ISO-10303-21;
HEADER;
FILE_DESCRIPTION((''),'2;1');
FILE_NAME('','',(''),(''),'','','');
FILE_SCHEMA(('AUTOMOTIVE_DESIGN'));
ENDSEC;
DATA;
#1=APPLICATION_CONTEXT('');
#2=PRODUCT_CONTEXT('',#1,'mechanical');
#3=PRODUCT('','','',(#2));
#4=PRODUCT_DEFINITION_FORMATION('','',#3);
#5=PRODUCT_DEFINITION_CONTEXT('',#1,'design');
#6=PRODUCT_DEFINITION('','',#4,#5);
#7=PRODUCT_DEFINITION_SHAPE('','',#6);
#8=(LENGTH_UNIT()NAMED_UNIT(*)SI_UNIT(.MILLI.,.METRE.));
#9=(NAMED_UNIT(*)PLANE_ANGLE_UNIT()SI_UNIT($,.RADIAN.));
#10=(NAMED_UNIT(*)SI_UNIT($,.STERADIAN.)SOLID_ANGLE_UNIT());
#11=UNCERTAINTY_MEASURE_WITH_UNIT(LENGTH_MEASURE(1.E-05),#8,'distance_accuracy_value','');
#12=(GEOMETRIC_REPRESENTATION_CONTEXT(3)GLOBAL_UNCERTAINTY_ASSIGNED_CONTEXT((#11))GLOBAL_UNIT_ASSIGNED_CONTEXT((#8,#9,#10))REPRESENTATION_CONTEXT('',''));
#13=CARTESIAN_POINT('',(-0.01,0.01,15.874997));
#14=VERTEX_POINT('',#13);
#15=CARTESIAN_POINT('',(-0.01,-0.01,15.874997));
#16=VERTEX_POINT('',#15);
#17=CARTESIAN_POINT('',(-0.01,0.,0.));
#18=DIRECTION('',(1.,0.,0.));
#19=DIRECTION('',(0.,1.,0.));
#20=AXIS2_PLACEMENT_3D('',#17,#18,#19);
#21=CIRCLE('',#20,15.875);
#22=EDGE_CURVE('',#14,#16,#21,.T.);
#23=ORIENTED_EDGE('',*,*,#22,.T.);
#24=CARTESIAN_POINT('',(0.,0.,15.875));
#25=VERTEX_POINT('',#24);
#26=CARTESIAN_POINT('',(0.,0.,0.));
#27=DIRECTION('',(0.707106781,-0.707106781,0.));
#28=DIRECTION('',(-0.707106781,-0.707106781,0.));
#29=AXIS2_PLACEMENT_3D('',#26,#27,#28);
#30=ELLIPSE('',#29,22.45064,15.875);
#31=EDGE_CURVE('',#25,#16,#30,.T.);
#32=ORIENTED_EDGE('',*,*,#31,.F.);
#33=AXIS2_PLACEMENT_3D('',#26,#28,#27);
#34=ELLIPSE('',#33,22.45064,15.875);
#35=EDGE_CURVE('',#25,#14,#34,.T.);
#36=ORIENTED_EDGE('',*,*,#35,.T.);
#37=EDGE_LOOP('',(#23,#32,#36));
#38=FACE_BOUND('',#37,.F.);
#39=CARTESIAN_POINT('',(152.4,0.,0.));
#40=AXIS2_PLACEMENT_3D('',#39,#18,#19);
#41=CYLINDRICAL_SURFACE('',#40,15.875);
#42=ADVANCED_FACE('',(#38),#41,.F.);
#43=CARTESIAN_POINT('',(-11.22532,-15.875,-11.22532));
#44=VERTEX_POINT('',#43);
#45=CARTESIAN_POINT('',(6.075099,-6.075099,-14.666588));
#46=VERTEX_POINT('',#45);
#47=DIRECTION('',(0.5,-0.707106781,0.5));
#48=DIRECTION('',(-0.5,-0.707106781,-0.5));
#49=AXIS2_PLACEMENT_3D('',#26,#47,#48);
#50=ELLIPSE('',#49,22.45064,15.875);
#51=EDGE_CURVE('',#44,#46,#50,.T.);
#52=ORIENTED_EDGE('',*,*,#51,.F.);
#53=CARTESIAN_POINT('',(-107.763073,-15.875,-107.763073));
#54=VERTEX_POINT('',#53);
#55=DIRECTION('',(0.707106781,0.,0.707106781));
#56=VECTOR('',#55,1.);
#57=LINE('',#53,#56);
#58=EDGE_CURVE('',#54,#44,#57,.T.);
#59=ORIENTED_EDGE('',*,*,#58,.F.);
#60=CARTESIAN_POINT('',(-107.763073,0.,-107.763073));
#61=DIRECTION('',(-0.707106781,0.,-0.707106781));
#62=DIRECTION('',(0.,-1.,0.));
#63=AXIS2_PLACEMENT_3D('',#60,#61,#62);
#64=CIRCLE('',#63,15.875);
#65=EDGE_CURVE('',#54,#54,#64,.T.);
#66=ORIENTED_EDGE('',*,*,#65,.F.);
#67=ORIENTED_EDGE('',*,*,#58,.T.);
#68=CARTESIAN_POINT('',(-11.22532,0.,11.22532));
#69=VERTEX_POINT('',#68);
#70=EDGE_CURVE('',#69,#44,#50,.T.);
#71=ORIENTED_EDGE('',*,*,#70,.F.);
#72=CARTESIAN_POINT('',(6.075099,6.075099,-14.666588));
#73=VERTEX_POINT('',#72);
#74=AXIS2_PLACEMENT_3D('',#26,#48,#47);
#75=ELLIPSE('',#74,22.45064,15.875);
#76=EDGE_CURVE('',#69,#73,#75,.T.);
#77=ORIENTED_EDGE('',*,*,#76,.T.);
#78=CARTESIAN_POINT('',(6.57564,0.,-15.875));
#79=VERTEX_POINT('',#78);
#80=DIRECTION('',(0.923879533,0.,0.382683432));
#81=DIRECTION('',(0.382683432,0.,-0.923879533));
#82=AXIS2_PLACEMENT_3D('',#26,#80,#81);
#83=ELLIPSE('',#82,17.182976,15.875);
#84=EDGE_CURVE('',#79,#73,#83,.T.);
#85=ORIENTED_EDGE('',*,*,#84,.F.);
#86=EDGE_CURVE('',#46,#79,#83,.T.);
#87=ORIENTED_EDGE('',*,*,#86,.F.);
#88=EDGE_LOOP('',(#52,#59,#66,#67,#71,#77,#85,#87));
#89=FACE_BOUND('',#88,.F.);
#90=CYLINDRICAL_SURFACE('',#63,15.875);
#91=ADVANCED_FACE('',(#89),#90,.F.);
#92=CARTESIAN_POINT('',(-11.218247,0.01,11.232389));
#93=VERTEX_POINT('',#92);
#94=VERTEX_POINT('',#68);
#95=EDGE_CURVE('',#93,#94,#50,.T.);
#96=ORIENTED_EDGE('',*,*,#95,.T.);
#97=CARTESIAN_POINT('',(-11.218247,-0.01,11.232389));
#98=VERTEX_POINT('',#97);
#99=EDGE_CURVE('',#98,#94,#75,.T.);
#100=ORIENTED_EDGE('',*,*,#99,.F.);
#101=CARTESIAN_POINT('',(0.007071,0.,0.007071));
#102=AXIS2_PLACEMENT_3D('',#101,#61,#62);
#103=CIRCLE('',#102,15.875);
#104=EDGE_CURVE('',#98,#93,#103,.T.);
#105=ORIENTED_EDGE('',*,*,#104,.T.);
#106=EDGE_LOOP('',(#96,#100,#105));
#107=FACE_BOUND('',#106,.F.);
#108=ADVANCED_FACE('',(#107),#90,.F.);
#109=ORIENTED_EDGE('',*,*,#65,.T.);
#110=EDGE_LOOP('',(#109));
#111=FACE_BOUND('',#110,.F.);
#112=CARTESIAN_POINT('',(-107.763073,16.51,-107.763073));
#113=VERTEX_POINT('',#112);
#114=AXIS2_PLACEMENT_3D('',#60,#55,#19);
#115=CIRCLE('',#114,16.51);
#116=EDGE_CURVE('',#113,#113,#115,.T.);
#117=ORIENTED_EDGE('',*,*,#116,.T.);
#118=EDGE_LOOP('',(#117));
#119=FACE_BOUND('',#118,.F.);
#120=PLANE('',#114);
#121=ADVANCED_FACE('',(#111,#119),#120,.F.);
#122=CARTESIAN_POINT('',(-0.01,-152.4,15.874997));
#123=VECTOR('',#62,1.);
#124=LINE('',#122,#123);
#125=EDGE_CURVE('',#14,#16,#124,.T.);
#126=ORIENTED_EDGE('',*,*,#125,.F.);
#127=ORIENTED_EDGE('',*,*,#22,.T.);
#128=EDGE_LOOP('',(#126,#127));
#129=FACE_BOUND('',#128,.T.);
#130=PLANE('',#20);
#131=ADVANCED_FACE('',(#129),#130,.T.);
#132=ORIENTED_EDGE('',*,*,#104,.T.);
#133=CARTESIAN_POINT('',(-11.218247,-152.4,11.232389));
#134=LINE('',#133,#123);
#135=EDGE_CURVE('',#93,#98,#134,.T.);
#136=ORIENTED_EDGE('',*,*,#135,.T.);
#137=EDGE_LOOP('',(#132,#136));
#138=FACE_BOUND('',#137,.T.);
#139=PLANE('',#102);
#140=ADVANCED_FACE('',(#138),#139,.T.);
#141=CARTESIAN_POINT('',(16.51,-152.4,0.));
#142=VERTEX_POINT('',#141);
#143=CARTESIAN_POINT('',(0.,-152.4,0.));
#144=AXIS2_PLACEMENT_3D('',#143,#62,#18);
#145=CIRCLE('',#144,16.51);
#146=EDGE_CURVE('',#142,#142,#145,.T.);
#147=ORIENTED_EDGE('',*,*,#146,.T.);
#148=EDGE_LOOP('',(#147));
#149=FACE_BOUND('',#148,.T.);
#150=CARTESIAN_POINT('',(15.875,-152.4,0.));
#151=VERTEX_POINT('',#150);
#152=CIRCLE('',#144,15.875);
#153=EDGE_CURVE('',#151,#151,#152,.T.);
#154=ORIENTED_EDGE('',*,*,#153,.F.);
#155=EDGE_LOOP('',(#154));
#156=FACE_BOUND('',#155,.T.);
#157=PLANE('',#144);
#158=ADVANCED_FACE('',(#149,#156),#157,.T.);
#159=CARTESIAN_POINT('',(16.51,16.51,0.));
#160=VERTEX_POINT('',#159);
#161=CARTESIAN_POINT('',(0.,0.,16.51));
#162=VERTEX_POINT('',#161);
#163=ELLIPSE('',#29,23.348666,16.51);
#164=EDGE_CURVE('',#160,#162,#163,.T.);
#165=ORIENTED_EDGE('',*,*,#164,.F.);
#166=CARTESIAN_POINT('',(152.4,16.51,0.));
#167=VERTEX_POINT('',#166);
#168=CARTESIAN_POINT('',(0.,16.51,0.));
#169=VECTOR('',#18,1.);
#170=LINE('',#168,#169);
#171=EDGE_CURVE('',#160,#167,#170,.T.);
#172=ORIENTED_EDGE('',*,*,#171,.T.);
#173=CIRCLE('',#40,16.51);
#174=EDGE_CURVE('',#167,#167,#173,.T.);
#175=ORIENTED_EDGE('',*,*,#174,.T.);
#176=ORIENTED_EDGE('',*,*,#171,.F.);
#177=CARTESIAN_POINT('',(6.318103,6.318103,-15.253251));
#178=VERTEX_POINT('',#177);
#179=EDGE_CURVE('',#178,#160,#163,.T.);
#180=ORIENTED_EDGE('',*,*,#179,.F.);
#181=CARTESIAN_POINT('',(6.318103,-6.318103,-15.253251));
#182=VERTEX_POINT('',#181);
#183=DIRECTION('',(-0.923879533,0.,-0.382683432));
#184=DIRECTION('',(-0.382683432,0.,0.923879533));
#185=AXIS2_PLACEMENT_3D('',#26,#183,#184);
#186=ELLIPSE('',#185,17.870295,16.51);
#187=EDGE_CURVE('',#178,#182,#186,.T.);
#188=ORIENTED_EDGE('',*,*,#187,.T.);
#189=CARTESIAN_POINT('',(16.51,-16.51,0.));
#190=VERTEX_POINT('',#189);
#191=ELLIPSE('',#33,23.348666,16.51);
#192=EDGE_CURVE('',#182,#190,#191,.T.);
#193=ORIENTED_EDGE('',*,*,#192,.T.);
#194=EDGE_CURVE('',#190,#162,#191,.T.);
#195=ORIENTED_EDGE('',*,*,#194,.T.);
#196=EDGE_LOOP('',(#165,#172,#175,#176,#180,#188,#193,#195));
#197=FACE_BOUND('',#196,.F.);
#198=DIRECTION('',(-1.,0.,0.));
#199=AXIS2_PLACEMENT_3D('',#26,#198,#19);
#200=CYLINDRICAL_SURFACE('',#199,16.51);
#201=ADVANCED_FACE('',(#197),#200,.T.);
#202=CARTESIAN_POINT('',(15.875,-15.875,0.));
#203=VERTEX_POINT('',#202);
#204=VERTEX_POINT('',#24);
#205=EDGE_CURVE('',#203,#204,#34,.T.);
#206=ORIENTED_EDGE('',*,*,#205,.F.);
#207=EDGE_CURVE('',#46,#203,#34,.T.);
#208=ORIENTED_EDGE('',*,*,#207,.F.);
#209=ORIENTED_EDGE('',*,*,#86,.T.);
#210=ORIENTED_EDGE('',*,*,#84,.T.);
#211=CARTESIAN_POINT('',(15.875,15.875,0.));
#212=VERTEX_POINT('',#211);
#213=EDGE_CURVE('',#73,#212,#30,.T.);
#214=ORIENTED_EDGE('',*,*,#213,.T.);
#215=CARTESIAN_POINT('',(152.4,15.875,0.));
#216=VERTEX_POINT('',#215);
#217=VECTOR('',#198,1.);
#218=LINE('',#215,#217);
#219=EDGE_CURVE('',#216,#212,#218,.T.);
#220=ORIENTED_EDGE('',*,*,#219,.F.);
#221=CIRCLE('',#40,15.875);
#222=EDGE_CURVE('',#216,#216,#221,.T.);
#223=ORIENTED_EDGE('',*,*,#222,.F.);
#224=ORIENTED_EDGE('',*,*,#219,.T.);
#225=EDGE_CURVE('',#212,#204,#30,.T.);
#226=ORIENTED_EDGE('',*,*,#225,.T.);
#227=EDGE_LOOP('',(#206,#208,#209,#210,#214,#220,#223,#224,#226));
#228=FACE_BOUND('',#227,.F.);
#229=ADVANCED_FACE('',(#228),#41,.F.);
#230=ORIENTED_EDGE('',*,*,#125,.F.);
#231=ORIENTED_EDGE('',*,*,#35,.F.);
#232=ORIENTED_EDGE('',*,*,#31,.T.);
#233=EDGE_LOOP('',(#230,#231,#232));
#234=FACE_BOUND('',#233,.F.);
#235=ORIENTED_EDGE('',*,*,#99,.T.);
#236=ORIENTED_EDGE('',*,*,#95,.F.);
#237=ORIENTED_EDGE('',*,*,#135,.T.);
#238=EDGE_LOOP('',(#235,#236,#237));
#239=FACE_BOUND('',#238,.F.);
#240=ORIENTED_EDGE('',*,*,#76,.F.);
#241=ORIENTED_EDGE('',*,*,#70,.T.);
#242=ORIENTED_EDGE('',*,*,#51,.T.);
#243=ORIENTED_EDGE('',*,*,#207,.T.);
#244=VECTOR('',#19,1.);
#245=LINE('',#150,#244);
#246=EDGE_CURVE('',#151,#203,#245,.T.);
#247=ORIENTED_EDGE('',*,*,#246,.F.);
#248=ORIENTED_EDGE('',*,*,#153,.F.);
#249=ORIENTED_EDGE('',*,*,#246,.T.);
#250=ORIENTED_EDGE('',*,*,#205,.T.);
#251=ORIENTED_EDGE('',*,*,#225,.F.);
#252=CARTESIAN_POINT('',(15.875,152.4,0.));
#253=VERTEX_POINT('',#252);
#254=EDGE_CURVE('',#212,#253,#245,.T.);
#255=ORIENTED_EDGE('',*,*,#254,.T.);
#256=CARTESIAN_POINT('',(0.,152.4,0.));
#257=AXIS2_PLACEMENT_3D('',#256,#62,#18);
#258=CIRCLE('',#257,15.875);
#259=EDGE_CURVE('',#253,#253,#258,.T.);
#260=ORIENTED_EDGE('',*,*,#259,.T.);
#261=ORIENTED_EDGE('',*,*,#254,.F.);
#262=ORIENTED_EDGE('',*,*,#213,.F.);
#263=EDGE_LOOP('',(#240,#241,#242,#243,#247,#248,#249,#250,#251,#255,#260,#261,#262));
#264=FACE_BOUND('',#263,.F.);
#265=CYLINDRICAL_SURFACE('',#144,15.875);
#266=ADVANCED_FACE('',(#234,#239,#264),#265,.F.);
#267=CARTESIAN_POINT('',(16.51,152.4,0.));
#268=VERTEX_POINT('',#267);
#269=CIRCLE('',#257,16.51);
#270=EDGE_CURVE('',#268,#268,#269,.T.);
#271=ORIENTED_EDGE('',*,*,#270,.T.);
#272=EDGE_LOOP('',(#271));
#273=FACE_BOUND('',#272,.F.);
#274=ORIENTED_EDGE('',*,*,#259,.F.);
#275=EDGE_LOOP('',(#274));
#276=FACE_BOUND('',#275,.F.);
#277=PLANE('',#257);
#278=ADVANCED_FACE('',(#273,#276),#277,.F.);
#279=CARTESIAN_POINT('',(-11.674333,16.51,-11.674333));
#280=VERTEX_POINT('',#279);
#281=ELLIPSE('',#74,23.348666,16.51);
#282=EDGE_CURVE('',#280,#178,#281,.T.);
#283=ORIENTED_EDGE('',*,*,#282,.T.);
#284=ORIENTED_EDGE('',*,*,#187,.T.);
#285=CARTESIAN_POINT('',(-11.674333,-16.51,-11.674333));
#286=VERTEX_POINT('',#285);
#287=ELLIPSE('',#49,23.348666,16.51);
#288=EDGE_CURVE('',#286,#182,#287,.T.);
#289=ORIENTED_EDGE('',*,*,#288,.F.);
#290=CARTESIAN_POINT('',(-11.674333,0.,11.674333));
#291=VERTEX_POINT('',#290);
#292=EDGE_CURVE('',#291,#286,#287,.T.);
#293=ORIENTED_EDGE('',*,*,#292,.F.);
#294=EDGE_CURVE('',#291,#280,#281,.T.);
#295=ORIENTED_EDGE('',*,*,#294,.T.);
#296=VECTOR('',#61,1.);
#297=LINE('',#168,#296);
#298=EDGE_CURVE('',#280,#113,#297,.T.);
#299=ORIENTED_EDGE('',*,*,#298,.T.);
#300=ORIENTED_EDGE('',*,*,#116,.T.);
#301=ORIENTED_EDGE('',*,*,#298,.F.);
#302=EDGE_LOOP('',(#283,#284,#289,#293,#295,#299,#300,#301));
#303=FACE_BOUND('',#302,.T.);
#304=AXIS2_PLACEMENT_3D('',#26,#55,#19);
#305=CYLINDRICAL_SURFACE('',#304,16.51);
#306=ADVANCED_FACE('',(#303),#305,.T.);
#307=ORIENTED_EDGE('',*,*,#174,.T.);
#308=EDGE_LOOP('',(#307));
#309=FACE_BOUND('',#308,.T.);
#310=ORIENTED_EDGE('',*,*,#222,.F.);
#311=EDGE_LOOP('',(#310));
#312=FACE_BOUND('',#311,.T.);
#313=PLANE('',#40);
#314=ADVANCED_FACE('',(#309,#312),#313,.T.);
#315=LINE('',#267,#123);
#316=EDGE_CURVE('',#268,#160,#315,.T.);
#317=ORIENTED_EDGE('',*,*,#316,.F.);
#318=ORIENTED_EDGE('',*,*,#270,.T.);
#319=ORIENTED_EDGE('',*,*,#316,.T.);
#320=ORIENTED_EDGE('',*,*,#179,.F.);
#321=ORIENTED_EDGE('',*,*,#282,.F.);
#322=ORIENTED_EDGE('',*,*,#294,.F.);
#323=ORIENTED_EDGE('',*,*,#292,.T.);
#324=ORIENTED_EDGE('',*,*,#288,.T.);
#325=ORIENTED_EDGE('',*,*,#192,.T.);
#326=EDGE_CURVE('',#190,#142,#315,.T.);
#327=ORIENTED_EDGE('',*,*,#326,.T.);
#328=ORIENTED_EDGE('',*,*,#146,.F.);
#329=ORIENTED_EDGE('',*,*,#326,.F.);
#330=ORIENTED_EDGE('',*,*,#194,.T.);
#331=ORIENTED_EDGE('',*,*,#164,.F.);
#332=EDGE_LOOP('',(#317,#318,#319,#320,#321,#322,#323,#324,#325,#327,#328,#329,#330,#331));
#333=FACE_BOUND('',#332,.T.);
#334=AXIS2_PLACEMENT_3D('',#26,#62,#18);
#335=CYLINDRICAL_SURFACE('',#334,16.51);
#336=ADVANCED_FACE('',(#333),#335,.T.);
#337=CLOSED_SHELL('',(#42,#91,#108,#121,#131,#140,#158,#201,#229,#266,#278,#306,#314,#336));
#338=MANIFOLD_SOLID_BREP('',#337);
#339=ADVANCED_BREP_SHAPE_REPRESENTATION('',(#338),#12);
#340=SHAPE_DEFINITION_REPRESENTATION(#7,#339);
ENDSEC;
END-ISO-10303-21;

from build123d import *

# Parameters (mm, degrees)
F0_R          = 16.51
F1_DEPTH      = 152.4
F1_DEPTH_BACK = 152.4
F2_R          = 16.51
F3_DEPTH      = 152.4
F5_R          = 16.51
F6_DEPTH      = 152.4
F7_R          = 15.875
F8_DEPTH      = 304.801
F9_R          = 15.875
F10_DEPTH     = 152.41
F11_R         = 15.875
F12_DEPTH     = 152.41


with BuildPart() as f1:
    # F0 (on Front) → F1 (new body, two sides)
    with BuildSketch(Plane.XZ) as f1_sk:
        Circle(F0_R)
    extrude(amount=F1_DEPTH)
    extrude(f1_sk.sketch, amount=-F1_DEPTH_BACK)

    # F2 (on Right) → F3 (join)
    with BuildSketch(Plane.YZ):
        Circle(F2_R)
    extrude(amount=F3_DEPTH)

    # F5 (on face) → F6 (join)
    with BuildSketch(Plane(origin=(0, 0, 0), x_dir=(0, 1, 0), z_dir=(0.7071067812, 0, 0.7071067812))):
        Circle(F5_R)
    extrude(amount=-F6_DEPTH)

    # F7 (on face) → F8 (cut, through all)
    with BuildSketch(Plane.XZ.offset(152.4)):
        Circle(F7_R)
    extrude(amount=-F8_DEPTH, mode=Mode.SUBTRACT)

    # F9 (on face) → F10 (cut, up to face)
    with BuildSketch(Plane.YZ.offset(152.4)):
        Circle(F9_R)
    extrude(amount=-F10_DEPTH, mode=Mode.SUBTRACT)

    # F11 (on face) → F12 (cut, up to face)
    with BuildSketch(Plane(origin=(-107.7630734528, 0, -107.7630734528), x_dir=(0, -1, 0), z_dir=(-0.7071067812, 0, -0.7071067812))):
        Circle(F11_R)
    extrude(amount=-F12_DEPTH, mode=Mode.SUBTRACT)


solid = f1.part
